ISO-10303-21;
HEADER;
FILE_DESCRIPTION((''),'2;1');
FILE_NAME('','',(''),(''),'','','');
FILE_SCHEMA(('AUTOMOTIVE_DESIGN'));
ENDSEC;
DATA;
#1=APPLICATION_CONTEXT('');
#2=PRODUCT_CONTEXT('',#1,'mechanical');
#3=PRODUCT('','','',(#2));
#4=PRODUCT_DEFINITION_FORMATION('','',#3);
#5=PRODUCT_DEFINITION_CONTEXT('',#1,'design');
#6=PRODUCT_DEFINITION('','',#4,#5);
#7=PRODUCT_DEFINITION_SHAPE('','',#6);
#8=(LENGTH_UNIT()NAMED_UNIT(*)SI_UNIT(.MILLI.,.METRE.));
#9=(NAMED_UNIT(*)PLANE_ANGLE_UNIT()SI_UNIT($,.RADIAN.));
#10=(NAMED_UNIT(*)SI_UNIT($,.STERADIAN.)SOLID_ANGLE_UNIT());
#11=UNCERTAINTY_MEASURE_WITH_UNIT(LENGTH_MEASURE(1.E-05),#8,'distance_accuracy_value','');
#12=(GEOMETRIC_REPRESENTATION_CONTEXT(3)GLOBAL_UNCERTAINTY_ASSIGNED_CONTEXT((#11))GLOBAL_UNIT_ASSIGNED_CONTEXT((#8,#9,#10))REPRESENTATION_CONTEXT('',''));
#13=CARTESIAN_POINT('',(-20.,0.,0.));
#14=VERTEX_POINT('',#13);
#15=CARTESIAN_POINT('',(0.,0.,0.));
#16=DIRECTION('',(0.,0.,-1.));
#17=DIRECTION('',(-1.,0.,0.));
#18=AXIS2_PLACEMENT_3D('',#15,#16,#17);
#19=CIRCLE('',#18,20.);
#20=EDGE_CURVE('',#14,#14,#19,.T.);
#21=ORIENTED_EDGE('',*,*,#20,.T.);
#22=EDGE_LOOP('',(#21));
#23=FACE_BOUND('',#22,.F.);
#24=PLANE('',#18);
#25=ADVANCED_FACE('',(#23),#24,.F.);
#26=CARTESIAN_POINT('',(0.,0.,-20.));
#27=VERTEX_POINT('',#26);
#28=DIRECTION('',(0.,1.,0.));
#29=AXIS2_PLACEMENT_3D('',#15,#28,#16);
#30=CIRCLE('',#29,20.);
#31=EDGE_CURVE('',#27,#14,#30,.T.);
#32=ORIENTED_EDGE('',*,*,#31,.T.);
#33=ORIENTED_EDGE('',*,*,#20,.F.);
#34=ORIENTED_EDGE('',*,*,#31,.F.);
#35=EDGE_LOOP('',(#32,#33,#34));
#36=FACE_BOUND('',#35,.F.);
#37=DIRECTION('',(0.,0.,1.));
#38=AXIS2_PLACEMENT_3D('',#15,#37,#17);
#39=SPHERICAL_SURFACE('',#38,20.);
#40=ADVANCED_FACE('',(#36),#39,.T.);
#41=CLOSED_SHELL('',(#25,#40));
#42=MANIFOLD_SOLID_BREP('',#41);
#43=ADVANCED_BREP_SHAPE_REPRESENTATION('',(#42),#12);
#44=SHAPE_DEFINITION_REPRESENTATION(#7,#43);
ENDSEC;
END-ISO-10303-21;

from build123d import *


with BuildPart() as part:
    # 草圖1 → 旋轉1 (revolve)
    with BuildSketch(Plane(origin=(0, 0, 0), x_dir=(1, 0, 0), z_dir=(0, 1, 0))):
        with BuildLine():
            Line((0, 0), (0, 20))
            ThreePointArc((0, 20), (-14.142135624, 14.142135624), (-20, 0))
            Line((-20, 0), (0, 0))
        make_face()
    revolve(axis=Axis((0, 0, 0), (0, 0, -1)))


solid = part.part
